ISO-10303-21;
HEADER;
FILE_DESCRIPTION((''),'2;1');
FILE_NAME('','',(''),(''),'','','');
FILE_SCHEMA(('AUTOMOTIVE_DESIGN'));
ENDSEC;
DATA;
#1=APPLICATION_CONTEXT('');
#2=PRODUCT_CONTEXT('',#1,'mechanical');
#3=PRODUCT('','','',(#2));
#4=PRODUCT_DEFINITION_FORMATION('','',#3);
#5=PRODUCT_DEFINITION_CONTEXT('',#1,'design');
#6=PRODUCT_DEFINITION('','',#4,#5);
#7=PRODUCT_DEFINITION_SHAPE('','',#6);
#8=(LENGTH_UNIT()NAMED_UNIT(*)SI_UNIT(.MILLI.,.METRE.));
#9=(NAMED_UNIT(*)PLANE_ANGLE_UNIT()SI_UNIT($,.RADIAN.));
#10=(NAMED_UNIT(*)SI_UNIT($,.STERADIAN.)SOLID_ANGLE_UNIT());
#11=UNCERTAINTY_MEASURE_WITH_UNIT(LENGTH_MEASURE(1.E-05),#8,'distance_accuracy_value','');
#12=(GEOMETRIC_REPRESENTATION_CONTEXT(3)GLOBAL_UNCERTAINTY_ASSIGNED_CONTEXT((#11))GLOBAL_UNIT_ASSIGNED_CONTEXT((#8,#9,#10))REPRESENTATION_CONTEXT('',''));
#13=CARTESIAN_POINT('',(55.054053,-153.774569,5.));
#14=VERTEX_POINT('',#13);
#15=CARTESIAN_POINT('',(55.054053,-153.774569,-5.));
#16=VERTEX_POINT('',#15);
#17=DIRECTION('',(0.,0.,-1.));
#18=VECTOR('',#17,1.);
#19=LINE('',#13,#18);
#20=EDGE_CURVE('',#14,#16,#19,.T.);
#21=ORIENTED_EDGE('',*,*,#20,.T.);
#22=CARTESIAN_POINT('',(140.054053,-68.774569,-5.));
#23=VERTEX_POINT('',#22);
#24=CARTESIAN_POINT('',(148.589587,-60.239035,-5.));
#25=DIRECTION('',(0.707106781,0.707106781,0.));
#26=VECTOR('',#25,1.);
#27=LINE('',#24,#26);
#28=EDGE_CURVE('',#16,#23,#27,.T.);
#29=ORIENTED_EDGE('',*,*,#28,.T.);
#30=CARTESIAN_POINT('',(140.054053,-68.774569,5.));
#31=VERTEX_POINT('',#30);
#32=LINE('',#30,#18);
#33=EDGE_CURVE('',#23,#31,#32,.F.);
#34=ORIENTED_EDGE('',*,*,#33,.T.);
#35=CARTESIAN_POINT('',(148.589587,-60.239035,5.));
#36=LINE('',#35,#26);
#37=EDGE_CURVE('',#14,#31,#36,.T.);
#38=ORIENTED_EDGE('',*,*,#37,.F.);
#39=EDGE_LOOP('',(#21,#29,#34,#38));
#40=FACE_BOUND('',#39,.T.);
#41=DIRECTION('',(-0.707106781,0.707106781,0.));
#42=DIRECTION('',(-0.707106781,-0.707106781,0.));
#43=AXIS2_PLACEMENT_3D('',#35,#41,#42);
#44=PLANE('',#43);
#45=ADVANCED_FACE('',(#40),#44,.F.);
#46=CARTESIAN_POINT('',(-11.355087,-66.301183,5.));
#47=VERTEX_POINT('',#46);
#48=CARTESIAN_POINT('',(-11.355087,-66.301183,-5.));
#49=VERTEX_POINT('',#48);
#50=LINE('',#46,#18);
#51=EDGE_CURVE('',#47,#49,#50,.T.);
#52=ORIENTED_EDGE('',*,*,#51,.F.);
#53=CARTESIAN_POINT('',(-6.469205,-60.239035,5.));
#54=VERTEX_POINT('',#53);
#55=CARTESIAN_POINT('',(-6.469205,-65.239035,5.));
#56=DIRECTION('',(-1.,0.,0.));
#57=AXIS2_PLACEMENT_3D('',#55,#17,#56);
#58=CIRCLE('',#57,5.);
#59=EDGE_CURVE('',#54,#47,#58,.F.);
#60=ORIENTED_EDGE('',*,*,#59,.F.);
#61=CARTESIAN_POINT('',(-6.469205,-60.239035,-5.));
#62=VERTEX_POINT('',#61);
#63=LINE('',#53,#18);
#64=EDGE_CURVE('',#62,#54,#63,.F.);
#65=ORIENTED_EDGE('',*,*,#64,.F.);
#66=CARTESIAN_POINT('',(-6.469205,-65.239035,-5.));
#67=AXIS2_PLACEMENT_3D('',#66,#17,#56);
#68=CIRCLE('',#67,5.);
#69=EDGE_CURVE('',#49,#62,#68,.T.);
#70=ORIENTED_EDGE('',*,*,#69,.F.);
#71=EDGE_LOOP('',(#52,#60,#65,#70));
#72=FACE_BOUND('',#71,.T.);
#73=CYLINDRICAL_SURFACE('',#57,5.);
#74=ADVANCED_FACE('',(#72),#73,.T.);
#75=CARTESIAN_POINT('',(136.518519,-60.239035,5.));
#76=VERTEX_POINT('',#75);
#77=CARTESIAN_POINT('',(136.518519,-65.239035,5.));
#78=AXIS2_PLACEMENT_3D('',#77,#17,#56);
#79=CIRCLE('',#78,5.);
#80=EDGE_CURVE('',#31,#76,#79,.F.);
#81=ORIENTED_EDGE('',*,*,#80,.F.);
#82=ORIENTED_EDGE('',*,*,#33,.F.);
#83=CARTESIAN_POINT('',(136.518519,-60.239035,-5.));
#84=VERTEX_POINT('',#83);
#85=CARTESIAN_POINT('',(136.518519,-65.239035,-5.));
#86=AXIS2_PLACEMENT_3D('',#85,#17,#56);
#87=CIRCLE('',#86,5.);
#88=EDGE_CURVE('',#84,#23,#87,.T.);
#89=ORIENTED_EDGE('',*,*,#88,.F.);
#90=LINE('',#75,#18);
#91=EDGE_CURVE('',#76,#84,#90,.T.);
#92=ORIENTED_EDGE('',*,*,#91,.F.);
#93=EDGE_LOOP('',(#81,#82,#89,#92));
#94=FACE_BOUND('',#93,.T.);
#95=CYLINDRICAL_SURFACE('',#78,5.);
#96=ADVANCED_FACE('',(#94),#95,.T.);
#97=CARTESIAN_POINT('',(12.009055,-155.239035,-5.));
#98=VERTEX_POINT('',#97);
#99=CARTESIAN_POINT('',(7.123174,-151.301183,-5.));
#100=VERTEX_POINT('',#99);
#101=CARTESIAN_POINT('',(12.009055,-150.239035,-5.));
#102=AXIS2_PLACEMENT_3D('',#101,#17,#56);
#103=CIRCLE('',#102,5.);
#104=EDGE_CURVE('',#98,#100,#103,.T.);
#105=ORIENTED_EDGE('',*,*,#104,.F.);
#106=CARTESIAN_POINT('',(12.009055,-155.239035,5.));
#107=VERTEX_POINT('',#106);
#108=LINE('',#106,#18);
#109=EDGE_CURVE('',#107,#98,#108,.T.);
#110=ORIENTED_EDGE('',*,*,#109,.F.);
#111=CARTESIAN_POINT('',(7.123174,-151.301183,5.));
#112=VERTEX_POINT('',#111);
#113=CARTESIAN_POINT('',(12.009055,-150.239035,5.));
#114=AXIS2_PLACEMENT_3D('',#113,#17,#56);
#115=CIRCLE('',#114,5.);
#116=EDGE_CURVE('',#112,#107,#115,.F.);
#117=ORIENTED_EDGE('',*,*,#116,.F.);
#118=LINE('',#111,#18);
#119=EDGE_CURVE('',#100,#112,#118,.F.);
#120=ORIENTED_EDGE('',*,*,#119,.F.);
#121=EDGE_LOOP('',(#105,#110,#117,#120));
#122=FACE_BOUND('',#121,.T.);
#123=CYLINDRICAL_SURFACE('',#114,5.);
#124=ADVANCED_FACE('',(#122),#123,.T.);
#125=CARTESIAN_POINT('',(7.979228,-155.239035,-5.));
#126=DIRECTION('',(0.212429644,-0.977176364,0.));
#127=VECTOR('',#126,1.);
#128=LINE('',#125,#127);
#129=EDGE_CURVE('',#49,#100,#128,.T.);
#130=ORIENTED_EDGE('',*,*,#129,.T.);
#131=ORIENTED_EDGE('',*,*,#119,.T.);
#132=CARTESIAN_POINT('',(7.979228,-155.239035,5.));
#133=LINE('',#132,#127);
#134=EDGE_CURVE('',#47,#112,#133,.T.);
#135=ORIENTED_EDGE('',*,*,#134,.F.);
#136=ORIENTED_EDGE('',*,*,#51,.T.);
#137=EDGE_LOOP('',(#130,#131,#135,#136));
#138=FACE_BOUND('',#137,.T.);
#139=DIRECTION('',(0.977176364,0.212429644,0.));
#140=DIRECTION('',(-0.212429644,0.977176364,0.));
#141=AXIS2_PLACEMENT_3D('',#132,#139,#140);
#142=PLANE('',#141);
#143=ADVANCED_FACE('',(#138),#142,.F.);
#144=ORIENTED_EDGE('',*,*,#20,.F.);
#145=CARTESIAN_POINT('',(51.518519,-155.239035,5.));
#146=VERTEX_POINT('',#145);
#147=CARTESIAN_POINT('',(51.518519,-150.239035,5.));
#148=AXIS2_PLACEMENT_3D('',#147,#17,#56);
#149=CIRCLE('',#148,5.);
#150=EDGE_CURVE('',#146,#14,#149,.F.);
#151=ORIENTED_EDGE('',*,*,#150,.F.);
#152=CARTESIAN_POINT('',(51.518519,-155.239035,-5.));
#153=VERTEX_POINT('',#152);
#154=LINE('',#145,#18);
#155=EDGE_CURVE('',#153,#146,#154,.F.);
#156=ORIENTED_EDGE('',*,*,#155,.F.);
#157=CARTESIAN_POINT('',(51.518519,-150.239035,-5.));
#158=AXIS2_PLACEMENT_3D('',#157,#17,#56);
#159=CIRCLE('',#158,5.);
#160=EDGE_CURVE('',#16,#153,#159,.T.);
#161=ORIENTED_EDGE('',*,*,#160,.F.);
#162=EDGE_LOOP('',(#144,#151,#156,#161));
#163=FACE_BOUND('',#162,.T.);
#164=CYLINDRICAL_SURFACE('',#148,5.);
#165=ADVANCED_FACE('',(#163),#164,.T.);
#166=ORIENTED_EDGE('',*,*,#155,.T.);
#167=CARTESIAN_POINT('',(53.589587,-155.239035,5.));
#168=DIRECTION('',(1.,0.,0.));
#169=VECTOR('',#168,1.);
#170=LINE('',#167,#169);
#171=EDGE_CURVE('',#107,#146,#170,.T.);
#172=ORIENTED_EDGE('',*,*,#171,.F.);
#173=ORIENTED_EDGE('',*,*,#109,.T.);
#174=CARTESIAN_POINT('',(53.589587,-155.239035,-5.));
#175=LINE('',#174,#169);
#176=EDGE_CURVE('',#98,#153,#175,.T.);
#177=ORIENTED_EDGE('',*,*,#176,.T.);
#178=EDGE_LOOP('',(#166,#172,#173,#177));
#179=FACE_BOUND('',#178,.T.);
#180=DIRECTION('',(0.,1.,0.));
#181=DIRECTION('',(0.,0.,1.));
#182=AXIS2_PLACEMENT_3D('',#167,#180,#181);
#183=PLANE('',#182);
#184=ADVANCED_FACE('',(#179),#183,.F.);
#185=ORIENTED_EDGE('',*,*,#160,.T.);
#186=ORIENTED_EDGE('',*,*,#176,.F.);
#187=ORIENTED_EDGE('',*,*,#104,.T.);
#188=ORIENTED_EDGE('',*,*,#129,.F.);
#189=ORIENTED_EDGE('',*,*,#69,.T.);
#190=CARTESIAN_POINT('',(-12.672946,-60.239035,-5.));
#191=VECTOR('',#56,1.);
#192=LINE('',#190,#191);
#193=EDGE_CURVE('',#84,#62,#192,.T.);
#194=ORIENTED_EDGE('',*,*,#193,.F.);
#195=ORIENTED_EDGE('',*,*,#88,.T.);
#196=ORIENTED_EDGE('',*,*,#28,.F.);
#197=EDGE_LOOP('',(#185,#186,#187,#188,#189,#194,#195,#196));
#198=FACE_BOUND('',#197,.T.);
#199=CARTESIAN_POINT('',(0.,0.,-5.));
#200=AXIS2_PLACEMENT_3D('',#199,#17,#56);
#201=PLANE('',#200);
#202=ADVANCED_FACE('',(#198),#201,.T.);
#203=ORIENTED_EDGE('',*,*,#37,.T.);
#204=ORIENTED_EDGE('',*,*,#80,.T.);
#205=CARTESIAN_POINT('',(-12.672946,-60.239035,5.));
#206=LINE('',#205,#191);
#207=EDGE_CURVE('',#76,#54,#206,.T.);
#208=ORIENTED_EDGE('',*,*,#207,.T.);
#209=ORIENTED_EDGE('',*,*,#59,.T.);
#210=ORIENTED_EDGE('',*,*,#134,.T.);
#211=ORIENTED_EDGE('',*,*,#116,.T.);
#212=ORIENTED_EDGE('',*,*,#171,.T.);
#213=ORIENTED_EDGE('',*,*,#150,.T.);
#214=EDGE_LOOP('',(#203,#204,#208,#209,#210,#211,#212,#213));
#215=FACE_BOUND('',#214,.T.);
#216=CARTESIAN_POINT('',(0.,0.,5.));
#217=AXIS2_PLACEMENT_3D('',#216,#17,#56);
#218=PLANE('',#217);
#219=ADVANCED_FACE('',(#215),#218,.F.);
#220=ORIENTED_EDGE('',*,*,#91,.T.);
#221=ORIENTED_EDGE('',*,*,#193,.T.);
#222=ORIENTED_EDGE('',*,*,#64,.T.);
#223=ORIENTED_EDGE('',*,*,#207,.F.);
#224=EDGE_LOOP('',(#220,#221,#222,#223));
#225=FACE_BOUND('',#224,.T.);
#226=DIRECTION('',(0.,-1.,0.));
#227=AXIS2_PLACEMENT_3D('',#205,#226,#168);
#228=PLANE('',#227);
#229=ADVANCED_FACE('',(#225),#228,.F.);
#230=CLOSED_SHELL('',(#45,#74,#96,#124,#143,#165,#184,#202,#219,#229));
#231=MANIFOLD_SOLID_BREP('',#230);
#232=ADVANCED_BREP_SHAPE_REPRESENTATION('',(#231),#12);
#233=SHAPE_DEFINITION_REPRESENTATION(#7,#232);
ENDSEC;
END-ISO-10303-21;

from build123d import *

# Parameters (mm, degrees)
BOSS_EXTRUDE1_DEPTH = 5
FILLET1_R           = 5


with BuildPart() as part:
    # Sketch1 → Boss-Extrude1 (new, symmetric)
    with BuildSketch(Plane.XY):
        Polygon((-12.672945593, -60.23903484), (148.589587107, -60.23903484), (53.589587107, -155.23903484), (7.97922832, -155.23903484), align=None)
    extrude(amount=BOSS_EXTRUDE1_DEPTH, both=True)

    # Fillet1
    fillet1_edges = [part.edges().sort_by_distance(p)[0] for p in [
        (-12.672945593, -60.23903484, 0),
        (148.589587107, -60.23903484, 0),
        (53.589587107, -155.23903484, 0),
        (7.97922832, -155.23903484, 0),
    ]]
    fillet(fillet1_edges, radius=FILLET1_R)


solid = part.part
